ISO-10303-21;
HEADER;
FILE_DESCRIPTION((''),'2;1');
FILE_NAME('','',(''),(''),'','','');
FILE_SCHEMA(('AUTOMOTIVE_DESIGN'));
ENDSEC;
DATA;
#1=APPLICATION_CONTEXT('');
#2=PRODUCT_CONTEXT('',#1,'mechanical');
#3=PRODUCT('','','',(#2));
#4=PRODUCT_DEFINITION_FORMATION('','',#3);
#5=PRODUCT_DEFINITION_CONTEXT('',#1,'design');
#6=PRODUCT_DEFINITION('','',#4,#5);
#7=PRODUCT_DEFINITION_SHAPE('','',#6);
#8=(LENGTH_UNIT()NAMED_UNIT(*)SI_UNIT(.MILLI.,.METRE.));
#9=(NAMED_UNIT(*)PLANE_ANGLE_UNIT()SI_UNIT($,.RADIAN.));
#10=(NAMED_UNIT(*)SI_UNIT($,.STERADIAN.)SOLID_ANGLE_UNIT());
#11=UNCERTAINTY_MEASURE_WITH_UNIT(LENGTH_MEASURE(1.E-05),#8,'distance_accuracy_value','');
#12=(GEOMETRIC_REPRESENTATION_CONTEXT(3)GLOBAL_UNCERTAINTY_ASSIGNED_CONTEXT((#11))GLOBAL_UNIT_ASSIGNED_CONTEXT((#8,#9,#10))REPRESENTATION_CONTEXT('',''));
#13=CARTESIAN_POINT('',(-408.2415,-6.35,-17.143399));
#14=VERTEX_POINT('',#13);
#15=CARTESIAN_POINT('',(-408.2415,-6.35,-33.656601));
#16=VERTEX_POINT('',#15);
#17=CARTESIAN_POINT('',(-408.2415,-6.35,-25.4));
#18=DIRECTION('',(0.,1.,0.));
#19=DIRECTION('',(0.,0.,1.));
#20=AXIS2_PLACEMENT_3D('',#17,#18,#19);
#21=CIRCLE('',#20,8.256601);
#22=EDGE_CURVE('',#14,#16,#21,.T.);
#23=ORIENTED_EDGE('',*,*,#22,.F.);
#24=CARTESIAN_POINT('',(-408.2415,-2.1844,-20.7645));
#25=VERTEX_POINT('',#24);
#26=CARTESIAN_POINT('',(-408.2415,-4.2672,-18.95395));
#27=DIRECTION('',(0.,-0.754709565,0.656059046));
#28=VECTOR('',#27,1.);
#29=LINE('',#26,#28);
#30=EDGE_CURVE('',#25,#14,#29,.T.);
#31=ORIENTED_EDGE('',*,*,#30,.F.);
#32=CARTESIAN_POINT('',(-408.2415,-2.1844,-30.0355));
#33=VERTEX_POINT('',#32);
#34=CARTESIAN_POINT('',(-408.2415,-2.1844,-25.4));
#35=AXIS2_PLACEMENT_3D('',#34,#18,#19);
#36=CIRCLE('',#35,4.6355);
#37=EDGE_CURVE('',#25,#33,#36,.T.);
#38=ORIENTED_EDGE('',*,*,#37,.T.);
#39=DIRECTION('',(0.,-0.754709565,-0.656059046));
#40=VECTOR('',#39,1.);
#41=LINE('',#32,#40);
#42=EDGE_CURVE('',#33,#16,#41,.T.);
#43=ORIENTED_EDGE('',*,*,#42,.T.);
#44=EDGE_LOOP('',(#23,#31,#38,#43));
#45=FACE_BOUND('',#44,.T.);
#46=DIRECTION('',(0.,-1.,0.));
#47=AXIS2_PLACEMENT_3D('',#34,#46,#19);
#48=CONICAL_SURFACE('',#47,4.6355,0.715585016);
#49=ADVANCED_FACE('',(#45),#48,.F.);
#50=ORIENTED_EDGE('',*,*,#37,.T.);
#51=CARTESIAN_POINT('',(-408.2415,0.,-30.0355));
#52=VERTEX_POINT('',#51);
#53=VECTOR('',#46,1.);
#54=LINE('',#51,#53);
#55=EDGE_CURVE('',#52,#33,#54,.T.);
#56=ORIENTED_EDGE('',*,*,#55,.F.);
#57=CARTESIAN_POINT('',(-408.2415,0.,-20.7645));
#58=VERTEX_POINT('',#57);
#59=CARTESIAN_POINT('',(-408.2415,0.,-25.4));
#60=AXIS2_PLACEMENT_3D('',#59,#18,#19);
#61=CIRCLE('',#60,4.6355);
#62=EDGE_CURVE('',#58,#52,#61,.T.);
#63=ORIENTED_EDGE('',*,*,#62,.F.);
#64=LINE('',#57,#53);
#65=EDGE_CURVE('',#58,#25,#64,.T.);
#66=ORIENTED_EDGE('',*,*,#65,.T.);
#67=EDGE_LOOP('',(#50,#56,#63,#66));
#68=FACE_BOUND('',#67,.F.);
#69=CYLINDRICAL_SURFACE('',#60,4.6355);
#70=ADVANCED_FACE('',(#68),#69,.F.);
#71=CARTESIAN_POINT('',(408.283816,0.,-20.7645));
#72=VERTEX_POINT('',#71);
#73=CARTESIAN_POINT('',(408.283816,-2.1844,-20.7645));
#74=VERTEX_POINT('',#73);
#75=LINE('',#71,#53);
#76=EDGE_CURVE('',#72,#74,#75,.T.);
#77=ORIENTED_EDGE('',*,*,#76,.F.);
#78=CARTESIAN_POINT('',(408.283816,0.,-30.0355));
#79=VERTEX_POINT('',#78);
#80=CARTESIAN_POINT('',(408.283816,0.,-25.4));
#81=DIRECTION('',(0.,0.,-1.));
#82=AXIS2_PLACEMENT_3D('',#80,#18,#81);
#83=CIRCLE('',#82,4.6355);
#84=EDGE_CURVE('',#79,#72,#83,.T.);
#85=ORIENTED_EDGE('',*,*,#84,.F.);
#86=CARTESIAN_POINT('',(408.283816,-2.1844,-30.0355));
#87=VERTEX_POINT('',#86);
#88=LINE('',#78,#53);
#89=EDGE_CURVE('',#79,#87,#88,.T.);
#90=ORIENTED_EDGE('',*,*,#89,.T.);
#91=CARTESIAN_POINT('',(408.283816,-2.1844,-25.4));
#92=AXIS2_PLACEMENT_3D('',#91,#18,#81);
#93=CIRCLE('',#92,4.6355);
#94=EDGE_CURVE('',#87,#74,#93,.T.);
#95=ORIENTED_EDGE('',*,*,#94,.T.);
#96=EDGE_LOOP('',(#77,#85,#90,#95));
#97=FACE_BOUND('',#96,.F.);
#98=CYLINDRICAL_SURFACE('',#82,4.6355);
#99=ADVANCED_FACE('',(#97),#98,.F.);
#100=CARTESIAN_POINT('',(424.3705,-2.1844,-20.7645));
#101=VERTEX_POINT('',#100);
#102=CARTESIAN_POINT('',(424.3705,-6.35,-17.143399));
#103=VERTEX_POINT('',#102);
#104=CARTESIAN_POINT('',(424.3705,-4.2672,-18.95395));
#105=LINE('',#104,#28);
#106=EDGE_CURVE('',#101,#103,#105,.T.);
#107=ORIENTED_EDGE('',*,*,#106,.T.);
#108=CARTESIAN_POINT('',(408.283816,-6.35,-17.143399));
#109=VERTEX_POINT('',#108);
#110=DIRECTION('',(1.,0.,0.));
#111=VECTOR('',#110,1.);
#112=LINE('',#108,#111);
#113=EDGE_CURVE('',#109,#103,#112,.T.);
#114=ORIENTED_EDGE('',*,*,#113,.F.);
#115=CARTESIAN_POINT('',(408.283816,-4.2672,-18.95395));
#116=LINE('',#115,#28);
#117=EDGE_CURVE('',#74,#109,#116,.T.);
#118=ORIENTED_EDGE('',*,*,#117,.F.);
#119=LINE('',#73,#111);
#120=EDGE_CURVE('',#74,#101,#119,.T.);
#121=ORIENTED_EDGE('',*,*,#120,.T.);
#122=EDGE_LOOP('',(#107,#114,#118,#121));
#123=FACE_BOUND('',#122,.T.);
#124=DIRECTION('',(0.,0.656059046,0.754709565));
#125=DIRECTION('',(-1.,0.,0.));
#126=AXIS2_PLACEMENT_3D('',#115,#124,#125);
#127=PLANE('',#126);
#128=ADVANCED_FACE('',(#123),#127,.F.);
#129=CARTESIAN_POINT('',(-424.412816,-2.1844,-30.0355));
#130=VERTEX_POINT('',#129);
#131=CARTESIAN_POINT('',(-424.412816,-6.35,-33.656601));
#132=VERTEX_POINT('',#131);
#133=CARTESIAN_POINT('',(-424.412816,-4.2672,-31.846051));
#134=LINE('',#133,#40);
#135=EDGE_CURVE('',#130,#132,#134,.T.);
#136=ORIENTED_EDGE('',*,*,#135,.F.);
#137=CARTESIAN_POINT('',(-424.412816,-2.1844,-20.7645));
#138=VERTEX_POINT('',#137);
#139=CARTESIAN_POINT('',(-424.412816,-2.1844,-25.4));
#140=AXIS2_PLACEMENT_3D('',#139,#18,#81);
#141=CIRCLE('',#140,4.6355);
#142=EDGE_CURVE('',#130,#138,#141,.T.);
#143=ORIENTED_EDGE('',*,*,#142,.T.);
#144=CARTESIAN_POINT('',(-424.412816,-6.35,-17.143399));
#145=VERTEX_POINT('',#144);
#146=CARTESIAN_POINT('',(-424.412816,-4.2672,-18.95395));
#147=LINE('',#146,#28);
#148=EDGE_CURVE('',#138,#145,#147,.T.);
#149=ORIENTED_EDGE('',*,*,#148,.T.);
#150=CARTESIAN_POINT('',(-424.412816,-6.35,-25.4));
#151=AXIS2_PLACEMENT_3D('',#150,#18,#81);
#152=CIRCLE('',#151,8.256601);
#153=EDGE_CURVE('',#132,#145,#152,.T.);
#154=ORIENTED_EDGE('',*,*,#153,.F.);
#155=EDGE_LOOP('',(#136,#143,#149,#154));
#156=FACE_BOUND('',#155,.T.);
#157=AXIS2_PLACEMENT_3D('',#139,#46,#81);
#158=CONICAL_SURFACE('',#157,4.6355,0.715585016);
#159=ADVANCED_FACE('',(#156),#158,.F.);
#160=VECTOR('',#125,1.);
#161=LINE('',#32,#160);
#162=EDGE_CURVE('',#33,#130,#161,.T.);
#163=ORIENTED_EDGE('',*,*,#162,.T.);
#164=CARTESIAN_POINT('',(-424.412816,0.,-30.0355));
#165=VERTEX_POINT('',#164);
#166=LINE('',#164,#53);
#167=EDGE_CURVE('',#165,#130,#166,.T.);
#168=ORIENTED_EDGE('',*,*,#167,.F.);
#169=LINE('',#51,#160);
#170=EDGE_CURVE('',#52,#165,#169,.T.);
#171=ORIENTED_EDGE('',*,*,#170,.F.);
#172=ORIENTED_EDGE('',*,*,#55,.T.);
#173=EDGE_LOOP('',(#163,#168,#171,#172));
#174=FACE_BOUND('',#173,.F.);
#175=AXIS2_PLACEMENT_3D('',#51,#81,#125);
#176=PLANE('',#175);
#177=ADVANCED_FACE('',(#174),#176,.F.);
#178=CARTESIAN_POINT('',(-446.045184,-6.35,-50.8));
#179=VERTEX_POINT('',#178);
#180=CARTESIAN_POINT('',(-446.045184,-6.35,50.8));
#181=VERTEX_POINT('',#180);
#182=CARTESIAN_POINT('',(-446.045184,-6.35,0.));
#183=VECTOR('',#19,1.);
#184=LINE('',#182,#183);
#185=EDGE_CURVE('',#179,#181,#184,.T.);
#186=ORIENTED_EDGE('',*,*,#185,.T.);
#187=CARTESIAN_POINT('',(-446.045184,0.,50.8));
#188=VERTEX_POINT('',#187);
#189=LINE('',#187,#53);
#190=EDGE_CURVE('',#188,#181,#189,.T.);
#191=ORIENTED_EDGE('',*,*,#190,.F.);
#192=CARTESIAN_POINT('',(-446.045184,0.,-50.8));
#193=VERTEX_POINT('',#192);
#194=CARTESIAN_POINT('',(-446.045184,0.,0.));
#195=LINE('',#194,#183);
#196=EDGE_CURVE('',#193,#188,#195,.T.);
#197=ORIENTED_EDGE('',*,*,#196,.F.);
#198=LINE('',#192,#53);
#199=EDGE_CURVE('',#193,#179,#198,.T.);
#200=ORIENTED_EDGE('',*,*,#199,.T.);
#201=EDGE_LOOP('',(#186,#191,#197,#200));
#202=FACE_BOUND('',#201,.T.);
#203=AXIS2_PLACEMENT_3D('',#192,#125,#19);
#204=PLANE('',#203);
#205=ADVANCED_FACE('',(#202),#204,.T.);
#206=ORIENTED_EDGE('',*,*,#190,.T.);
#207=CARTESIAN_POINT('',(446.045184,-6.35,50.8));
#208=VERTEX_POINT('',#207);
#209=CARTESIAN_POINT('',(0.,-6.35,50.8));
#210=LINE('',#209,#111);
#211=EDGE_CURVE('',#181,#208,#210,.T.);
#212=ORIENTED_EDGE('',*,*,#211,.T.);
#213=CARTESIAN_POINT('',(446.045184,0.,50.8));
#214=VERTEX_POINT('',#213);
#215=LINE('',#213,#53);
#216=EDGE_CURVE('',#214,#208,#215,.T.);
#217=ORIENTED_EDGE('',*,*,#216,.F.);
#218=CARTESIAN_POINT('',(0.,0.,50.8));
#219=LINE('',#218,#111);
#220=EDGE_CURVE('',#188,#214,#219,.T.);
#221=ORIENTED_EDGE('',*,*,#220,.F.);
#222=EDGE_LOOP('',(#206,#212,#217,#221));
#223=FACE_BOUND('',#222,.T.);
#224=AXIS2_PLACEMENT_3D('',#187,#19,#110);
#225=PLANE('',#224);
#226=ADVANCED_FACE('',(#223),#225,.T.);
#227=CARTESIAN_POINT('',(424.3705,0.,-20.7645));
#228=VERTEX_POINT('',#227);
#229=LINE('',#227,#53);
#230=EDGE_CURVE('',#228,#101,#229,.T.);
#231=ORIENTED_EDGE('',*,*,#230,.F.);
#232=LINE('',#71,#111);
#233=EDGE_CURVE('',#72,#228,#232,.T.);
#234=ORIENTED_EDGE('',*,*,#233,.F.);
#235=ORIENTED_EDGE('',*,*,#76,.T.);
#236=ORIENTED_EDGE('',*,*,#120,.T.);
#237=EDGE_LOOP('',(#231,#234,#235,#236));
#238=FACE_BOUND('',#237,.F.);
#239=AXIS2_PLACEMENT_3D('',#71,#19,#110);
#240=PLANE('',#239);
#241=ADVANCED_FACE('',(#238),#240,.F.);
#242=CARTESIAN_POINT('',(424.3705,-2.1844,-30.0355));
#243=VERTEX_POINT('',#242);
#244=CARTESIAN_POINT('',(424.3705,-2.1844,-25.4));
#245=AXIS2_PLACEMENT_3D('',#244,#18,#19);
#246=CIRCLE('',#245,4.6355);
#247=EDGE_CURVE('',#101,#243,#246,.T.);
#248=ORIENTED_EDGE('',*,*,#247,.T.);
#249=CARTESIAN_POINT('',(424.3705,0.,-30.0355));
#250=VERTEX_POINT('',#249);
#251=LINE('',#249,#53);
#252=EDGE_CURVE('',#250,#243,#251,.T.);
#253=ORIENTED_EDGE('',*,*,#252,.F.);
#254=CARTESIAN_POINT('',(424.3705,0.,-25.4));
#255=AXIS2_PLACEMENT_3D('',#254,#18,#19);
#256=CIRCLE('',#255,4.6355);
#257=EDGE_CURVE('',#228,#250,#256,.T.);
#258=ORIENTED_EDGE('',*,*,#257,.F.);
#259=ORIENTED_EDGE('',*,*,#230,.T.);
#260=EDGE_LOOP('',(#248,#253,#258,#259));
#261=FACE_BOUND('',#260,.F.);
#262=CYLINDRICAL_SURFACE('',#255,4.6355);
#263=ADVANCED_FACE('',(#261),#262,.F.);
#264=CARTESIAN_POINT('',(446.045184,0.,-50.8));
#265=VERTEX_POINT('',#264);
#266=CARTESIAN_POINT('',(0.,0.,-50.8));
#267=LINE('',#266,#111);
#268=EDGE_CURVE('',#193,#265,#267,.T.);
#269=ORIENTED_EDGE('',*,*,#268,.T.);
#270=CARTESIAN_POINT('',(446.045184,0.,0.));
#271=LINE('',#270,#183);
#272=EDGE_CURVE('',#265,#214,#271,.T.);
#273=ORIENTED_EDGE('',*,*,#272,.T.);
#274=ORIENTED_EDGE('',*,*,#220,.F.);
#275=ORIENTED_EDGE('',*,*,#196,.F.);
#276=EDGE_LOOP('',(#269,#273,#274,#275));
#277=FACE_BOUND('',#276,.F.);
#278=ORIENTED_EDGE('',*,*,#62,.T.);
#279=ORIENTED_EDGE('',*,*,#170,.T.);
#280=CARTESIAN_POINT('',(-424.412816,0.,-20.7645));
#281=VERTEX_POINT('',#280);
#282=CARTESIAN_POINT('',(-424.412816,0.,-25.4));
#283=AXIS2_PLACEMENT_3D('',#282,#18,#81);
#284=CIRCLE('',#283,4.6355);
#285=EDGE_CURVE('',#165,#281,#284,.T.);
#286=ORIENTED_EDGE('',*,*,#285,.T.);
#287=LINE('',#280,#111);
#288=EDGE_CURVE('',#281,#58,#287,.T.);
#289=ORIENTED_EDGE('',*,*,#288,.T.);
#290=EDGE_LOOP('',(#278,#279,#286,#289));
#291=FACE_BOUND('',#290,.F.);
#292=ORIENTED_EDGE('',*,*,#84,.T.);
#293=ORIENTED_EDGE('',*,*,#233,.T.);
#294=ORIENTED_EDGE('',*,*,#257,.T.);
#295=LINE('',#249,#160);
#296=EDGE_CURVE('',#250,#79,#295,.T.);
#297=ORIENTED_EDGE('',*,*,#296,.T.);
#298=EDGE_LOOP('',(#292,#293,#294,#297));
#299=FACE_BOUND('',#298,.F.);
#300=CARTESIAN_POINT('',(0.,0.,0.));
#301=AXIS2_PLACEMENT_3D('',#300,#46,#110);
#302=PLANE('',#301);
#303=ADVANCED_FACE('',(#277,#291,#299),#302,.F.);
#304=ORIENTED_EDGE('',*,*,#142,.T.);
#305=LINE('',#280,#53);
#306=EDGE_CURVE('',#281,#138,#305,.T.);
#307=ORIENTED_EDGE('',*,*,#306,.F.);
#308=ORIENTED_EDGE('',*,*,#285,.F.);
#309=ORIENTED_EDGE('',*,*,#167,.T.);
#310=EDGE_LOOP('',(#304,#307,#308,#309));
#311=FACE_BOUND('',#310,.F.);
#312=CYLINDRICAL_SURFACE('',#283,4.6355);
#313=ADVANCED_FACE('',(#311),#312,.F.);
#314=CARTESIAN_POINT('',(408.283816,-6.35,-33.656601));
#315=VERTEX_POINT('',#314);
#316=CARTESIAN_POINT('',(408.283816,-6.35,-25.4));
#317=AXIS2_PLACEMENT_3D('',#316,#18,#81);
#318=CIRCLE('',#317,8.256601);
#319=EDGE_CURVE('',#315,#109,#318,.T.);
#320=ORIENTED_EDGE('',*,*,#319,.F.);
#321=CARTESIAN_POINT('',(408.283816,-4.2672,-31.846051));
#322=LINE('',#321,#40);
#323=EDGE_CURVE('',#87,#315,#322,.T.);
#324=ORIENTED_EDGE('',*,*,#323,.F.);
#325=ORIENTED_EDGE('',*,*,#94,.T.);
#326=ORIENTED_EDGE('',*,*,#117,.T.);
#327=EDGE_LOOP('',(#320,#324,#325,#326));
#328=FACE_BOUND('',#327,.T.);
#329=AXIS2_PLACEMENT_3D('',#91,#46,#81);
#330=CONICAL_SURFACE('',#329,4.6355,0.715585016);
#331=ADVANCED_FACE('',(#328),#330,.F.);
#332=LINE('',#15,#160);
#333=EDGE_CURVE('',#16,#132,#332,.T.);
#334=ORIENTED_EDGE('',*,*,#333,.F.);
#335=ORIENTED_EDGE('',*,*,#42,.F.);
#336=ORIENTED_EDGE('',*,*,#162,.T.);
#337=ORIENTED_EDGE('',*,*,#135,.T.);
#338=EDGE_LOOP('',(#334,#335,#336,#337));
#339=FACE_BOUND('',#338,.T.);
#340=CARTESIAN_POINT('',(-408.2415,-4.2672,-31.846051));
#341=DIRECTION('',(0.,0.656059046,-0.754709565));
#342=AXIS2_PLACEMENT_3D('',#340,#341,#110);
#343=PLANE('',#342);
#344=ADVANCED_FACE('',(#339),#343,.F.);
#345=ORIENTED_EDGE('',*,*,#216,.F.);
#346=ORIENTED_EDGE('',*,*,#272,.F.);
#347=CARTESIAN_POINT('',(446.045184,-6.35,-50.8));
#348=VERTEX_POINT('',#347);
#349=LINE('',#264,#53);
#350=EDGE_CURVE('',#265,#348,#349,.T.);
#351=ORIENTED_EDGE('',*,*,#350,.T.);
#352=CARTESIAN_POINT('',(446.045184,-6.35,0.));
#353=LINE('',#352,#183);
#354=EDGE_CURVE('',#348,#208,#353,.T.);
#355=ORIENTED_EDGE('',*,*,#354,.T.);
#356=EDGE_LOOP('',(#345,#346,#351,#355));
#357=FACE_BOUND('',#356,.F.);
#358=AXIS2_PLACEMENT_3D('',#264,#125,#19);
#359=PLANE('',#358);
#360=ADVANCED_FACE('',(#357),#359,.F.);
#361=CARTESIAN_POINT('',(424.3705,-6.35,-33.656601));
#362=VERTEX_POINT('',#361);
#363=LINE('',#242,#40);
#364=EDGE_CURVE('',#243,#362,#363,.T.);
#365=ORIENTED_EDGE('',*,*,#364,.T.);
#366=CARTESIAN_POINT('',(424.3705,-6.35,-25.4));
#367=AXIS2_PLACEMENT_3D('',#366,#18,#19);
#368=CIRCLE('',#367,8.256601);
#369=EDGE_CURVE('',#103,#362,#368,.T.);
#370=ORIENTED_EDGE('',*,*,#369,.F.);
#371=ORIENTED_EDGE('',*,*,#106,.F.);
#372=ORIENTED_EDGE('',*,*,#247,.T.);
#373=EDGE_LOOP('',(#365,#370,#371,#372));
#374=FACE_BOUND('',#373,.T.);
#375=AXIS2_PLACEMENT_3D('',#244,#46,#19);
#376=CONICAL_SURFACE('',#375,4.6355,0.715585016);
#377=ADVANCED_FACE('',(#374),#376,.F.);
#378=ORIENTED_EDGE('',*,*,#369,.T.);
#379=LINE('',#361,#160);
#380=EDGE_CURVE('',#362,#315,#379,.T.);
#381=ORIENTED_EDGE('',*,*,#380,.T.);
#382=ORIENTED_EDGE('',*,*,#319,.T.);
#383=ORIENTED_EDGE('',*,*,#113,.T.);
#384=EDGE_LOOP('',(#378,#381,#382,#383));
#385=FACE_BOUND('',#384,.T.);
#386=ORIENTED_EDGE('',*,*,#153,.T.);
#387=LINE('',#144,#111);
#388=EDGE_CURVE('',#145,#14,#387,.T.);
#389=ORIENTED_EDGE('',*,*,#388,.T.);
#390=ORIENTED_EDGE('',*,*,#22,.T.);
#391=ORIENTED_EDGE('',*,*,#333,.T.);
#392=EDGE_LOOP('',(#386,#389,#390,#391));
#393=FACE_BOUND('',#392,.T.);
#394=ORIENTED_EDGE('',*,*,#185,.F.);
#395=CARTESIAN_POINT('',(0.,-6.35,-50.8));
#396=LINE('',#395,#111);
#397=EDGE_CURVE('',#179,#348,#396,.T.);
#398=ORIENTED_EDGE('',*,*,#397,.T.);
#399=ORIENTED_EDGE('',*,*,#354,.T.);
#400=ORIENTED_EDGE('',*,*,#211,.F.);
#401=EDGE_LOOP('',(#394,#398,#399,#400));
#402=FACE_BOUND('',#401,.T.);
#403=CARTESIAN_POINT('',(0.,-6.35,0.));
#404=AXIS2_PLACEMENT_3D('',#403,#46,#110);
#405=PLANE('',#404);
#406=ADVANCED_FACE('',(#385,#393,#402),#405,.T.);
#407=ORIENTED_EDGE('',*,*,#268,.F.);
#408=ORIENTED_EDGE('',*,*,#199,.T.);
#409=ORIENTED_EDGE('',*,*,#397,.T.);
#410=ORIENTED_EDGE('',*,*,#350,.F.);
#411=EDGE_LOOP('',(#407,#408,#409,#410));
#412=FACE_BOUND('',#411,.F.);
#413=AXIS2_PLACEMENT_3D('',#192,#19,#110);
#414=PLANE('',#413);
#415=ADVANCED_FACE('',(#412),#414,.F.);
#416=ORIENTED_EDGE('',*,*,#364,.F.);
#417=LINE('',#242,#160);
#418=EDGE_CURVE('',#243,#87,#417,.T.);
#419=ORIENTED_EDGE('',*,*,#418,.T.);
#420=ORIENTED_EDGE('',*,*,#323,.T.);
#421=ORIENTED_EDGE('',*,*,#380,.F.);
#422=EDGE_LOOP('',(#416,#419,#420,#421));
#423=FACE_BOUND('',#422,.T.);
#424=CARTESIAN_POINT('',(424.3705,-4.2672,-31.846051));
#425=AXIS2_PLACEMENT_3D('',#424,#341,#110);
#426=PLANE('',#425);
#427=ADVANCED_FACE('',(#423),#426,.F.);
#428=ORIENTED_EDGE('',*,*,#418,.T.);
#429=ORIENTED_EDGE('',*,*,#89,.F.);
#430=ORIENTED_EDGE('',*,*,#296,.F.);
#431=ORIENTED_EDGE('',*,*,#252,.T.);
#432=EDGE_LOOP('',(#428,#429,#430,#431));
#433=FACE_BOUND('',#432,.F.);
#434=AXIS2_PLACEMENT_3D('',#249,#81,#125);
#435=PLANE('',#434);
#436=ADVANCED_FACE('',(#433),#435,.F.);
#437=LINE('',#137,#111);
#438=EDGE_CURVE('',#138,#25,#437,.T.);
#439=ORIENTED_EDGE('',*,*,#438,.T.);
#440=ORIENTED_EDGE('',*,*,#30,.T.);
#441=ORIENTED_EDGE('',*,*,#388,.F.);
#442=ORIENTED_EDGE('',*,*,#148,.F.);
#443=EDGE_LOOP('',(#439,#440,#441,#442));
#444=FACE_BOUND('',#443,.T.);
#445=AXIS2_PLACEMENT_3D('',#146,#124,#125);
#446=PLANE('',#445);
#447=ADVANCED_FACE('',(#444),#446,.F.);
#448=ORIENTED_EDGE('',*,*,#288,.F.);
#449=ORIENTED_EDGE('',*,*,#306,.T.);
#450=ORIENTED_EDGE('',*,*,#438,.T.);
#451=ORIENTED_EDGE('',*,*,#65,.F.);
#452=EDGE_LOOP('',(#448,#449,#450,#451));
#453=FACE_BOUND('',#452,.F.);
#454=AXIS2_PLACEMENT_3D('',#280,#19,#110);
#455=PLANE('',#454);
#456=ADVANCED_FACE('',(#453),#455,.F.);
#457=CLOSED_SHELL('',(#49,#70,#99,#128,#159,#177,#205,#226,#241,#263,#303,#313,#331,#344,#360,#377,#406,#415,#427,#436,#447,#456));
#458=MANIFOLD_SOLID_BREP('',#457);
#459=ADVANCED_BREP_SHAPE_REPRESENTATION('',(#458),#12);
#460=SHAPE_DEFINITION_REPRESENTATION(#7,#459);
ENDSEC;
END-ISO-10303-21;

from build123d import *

# Parameters (mm, degrees)
F0_W     = 892.090368
F0_H     = 101.6
F1_DEPTH = 6.35
F2_SIZE2 = 3.621101
F2_SIZE  = 4.1656


with BuildPart() as f1:
    # F0 (on Front) → F1 (new body)
    with BuildSketch(Plane.XZ):
        Rectangle(F0_W, F0_H)
        with BuildLine():
            ThreePointArc((-424.412816, -30.0355), (-429.048316, -25.4), (-424.412816, -20.7645))
            Line((-424.412816, -20.7645), (-408.2415, -20.7645))
            ThreePointArc((-408.2415, -20.7645), (-403.606, -25.4), (-408.2415, -30.0355))
            Line((-408.2415, -30.0355), (-424.412816, -30.0355))
        make_face(mode=Mode.SUBTRACT)
        with BuildLine():
            ThreePointArc((408.283816, -30.0355), (403.648316, -25.4), (408.283816, -20.7645))
            Line((408.283816, -20.7645), (424.3705, -20.7645))
            ThreePointArc((424.3705, -20.7645), (429.006, -25.4), (424.3705, -30.0355))
            Line((424.3705, -30.0355), (408.283816, -30.0355))
        make_face(mode=Mode.SUBTRACT)
    extrude(amount=F1_DEPTH)

    # F2
    f2_edges = [f1.edges().sort_by_distance(p)[0] for p in [
        (-416.327158, -6.35, -20.7645),
        (416.327158, -6.35, -20.7645),
    ]]
    chamfer(f2_edges, length=F2_SIZE, length2=F2_SIZE2)


solid = f1.part
